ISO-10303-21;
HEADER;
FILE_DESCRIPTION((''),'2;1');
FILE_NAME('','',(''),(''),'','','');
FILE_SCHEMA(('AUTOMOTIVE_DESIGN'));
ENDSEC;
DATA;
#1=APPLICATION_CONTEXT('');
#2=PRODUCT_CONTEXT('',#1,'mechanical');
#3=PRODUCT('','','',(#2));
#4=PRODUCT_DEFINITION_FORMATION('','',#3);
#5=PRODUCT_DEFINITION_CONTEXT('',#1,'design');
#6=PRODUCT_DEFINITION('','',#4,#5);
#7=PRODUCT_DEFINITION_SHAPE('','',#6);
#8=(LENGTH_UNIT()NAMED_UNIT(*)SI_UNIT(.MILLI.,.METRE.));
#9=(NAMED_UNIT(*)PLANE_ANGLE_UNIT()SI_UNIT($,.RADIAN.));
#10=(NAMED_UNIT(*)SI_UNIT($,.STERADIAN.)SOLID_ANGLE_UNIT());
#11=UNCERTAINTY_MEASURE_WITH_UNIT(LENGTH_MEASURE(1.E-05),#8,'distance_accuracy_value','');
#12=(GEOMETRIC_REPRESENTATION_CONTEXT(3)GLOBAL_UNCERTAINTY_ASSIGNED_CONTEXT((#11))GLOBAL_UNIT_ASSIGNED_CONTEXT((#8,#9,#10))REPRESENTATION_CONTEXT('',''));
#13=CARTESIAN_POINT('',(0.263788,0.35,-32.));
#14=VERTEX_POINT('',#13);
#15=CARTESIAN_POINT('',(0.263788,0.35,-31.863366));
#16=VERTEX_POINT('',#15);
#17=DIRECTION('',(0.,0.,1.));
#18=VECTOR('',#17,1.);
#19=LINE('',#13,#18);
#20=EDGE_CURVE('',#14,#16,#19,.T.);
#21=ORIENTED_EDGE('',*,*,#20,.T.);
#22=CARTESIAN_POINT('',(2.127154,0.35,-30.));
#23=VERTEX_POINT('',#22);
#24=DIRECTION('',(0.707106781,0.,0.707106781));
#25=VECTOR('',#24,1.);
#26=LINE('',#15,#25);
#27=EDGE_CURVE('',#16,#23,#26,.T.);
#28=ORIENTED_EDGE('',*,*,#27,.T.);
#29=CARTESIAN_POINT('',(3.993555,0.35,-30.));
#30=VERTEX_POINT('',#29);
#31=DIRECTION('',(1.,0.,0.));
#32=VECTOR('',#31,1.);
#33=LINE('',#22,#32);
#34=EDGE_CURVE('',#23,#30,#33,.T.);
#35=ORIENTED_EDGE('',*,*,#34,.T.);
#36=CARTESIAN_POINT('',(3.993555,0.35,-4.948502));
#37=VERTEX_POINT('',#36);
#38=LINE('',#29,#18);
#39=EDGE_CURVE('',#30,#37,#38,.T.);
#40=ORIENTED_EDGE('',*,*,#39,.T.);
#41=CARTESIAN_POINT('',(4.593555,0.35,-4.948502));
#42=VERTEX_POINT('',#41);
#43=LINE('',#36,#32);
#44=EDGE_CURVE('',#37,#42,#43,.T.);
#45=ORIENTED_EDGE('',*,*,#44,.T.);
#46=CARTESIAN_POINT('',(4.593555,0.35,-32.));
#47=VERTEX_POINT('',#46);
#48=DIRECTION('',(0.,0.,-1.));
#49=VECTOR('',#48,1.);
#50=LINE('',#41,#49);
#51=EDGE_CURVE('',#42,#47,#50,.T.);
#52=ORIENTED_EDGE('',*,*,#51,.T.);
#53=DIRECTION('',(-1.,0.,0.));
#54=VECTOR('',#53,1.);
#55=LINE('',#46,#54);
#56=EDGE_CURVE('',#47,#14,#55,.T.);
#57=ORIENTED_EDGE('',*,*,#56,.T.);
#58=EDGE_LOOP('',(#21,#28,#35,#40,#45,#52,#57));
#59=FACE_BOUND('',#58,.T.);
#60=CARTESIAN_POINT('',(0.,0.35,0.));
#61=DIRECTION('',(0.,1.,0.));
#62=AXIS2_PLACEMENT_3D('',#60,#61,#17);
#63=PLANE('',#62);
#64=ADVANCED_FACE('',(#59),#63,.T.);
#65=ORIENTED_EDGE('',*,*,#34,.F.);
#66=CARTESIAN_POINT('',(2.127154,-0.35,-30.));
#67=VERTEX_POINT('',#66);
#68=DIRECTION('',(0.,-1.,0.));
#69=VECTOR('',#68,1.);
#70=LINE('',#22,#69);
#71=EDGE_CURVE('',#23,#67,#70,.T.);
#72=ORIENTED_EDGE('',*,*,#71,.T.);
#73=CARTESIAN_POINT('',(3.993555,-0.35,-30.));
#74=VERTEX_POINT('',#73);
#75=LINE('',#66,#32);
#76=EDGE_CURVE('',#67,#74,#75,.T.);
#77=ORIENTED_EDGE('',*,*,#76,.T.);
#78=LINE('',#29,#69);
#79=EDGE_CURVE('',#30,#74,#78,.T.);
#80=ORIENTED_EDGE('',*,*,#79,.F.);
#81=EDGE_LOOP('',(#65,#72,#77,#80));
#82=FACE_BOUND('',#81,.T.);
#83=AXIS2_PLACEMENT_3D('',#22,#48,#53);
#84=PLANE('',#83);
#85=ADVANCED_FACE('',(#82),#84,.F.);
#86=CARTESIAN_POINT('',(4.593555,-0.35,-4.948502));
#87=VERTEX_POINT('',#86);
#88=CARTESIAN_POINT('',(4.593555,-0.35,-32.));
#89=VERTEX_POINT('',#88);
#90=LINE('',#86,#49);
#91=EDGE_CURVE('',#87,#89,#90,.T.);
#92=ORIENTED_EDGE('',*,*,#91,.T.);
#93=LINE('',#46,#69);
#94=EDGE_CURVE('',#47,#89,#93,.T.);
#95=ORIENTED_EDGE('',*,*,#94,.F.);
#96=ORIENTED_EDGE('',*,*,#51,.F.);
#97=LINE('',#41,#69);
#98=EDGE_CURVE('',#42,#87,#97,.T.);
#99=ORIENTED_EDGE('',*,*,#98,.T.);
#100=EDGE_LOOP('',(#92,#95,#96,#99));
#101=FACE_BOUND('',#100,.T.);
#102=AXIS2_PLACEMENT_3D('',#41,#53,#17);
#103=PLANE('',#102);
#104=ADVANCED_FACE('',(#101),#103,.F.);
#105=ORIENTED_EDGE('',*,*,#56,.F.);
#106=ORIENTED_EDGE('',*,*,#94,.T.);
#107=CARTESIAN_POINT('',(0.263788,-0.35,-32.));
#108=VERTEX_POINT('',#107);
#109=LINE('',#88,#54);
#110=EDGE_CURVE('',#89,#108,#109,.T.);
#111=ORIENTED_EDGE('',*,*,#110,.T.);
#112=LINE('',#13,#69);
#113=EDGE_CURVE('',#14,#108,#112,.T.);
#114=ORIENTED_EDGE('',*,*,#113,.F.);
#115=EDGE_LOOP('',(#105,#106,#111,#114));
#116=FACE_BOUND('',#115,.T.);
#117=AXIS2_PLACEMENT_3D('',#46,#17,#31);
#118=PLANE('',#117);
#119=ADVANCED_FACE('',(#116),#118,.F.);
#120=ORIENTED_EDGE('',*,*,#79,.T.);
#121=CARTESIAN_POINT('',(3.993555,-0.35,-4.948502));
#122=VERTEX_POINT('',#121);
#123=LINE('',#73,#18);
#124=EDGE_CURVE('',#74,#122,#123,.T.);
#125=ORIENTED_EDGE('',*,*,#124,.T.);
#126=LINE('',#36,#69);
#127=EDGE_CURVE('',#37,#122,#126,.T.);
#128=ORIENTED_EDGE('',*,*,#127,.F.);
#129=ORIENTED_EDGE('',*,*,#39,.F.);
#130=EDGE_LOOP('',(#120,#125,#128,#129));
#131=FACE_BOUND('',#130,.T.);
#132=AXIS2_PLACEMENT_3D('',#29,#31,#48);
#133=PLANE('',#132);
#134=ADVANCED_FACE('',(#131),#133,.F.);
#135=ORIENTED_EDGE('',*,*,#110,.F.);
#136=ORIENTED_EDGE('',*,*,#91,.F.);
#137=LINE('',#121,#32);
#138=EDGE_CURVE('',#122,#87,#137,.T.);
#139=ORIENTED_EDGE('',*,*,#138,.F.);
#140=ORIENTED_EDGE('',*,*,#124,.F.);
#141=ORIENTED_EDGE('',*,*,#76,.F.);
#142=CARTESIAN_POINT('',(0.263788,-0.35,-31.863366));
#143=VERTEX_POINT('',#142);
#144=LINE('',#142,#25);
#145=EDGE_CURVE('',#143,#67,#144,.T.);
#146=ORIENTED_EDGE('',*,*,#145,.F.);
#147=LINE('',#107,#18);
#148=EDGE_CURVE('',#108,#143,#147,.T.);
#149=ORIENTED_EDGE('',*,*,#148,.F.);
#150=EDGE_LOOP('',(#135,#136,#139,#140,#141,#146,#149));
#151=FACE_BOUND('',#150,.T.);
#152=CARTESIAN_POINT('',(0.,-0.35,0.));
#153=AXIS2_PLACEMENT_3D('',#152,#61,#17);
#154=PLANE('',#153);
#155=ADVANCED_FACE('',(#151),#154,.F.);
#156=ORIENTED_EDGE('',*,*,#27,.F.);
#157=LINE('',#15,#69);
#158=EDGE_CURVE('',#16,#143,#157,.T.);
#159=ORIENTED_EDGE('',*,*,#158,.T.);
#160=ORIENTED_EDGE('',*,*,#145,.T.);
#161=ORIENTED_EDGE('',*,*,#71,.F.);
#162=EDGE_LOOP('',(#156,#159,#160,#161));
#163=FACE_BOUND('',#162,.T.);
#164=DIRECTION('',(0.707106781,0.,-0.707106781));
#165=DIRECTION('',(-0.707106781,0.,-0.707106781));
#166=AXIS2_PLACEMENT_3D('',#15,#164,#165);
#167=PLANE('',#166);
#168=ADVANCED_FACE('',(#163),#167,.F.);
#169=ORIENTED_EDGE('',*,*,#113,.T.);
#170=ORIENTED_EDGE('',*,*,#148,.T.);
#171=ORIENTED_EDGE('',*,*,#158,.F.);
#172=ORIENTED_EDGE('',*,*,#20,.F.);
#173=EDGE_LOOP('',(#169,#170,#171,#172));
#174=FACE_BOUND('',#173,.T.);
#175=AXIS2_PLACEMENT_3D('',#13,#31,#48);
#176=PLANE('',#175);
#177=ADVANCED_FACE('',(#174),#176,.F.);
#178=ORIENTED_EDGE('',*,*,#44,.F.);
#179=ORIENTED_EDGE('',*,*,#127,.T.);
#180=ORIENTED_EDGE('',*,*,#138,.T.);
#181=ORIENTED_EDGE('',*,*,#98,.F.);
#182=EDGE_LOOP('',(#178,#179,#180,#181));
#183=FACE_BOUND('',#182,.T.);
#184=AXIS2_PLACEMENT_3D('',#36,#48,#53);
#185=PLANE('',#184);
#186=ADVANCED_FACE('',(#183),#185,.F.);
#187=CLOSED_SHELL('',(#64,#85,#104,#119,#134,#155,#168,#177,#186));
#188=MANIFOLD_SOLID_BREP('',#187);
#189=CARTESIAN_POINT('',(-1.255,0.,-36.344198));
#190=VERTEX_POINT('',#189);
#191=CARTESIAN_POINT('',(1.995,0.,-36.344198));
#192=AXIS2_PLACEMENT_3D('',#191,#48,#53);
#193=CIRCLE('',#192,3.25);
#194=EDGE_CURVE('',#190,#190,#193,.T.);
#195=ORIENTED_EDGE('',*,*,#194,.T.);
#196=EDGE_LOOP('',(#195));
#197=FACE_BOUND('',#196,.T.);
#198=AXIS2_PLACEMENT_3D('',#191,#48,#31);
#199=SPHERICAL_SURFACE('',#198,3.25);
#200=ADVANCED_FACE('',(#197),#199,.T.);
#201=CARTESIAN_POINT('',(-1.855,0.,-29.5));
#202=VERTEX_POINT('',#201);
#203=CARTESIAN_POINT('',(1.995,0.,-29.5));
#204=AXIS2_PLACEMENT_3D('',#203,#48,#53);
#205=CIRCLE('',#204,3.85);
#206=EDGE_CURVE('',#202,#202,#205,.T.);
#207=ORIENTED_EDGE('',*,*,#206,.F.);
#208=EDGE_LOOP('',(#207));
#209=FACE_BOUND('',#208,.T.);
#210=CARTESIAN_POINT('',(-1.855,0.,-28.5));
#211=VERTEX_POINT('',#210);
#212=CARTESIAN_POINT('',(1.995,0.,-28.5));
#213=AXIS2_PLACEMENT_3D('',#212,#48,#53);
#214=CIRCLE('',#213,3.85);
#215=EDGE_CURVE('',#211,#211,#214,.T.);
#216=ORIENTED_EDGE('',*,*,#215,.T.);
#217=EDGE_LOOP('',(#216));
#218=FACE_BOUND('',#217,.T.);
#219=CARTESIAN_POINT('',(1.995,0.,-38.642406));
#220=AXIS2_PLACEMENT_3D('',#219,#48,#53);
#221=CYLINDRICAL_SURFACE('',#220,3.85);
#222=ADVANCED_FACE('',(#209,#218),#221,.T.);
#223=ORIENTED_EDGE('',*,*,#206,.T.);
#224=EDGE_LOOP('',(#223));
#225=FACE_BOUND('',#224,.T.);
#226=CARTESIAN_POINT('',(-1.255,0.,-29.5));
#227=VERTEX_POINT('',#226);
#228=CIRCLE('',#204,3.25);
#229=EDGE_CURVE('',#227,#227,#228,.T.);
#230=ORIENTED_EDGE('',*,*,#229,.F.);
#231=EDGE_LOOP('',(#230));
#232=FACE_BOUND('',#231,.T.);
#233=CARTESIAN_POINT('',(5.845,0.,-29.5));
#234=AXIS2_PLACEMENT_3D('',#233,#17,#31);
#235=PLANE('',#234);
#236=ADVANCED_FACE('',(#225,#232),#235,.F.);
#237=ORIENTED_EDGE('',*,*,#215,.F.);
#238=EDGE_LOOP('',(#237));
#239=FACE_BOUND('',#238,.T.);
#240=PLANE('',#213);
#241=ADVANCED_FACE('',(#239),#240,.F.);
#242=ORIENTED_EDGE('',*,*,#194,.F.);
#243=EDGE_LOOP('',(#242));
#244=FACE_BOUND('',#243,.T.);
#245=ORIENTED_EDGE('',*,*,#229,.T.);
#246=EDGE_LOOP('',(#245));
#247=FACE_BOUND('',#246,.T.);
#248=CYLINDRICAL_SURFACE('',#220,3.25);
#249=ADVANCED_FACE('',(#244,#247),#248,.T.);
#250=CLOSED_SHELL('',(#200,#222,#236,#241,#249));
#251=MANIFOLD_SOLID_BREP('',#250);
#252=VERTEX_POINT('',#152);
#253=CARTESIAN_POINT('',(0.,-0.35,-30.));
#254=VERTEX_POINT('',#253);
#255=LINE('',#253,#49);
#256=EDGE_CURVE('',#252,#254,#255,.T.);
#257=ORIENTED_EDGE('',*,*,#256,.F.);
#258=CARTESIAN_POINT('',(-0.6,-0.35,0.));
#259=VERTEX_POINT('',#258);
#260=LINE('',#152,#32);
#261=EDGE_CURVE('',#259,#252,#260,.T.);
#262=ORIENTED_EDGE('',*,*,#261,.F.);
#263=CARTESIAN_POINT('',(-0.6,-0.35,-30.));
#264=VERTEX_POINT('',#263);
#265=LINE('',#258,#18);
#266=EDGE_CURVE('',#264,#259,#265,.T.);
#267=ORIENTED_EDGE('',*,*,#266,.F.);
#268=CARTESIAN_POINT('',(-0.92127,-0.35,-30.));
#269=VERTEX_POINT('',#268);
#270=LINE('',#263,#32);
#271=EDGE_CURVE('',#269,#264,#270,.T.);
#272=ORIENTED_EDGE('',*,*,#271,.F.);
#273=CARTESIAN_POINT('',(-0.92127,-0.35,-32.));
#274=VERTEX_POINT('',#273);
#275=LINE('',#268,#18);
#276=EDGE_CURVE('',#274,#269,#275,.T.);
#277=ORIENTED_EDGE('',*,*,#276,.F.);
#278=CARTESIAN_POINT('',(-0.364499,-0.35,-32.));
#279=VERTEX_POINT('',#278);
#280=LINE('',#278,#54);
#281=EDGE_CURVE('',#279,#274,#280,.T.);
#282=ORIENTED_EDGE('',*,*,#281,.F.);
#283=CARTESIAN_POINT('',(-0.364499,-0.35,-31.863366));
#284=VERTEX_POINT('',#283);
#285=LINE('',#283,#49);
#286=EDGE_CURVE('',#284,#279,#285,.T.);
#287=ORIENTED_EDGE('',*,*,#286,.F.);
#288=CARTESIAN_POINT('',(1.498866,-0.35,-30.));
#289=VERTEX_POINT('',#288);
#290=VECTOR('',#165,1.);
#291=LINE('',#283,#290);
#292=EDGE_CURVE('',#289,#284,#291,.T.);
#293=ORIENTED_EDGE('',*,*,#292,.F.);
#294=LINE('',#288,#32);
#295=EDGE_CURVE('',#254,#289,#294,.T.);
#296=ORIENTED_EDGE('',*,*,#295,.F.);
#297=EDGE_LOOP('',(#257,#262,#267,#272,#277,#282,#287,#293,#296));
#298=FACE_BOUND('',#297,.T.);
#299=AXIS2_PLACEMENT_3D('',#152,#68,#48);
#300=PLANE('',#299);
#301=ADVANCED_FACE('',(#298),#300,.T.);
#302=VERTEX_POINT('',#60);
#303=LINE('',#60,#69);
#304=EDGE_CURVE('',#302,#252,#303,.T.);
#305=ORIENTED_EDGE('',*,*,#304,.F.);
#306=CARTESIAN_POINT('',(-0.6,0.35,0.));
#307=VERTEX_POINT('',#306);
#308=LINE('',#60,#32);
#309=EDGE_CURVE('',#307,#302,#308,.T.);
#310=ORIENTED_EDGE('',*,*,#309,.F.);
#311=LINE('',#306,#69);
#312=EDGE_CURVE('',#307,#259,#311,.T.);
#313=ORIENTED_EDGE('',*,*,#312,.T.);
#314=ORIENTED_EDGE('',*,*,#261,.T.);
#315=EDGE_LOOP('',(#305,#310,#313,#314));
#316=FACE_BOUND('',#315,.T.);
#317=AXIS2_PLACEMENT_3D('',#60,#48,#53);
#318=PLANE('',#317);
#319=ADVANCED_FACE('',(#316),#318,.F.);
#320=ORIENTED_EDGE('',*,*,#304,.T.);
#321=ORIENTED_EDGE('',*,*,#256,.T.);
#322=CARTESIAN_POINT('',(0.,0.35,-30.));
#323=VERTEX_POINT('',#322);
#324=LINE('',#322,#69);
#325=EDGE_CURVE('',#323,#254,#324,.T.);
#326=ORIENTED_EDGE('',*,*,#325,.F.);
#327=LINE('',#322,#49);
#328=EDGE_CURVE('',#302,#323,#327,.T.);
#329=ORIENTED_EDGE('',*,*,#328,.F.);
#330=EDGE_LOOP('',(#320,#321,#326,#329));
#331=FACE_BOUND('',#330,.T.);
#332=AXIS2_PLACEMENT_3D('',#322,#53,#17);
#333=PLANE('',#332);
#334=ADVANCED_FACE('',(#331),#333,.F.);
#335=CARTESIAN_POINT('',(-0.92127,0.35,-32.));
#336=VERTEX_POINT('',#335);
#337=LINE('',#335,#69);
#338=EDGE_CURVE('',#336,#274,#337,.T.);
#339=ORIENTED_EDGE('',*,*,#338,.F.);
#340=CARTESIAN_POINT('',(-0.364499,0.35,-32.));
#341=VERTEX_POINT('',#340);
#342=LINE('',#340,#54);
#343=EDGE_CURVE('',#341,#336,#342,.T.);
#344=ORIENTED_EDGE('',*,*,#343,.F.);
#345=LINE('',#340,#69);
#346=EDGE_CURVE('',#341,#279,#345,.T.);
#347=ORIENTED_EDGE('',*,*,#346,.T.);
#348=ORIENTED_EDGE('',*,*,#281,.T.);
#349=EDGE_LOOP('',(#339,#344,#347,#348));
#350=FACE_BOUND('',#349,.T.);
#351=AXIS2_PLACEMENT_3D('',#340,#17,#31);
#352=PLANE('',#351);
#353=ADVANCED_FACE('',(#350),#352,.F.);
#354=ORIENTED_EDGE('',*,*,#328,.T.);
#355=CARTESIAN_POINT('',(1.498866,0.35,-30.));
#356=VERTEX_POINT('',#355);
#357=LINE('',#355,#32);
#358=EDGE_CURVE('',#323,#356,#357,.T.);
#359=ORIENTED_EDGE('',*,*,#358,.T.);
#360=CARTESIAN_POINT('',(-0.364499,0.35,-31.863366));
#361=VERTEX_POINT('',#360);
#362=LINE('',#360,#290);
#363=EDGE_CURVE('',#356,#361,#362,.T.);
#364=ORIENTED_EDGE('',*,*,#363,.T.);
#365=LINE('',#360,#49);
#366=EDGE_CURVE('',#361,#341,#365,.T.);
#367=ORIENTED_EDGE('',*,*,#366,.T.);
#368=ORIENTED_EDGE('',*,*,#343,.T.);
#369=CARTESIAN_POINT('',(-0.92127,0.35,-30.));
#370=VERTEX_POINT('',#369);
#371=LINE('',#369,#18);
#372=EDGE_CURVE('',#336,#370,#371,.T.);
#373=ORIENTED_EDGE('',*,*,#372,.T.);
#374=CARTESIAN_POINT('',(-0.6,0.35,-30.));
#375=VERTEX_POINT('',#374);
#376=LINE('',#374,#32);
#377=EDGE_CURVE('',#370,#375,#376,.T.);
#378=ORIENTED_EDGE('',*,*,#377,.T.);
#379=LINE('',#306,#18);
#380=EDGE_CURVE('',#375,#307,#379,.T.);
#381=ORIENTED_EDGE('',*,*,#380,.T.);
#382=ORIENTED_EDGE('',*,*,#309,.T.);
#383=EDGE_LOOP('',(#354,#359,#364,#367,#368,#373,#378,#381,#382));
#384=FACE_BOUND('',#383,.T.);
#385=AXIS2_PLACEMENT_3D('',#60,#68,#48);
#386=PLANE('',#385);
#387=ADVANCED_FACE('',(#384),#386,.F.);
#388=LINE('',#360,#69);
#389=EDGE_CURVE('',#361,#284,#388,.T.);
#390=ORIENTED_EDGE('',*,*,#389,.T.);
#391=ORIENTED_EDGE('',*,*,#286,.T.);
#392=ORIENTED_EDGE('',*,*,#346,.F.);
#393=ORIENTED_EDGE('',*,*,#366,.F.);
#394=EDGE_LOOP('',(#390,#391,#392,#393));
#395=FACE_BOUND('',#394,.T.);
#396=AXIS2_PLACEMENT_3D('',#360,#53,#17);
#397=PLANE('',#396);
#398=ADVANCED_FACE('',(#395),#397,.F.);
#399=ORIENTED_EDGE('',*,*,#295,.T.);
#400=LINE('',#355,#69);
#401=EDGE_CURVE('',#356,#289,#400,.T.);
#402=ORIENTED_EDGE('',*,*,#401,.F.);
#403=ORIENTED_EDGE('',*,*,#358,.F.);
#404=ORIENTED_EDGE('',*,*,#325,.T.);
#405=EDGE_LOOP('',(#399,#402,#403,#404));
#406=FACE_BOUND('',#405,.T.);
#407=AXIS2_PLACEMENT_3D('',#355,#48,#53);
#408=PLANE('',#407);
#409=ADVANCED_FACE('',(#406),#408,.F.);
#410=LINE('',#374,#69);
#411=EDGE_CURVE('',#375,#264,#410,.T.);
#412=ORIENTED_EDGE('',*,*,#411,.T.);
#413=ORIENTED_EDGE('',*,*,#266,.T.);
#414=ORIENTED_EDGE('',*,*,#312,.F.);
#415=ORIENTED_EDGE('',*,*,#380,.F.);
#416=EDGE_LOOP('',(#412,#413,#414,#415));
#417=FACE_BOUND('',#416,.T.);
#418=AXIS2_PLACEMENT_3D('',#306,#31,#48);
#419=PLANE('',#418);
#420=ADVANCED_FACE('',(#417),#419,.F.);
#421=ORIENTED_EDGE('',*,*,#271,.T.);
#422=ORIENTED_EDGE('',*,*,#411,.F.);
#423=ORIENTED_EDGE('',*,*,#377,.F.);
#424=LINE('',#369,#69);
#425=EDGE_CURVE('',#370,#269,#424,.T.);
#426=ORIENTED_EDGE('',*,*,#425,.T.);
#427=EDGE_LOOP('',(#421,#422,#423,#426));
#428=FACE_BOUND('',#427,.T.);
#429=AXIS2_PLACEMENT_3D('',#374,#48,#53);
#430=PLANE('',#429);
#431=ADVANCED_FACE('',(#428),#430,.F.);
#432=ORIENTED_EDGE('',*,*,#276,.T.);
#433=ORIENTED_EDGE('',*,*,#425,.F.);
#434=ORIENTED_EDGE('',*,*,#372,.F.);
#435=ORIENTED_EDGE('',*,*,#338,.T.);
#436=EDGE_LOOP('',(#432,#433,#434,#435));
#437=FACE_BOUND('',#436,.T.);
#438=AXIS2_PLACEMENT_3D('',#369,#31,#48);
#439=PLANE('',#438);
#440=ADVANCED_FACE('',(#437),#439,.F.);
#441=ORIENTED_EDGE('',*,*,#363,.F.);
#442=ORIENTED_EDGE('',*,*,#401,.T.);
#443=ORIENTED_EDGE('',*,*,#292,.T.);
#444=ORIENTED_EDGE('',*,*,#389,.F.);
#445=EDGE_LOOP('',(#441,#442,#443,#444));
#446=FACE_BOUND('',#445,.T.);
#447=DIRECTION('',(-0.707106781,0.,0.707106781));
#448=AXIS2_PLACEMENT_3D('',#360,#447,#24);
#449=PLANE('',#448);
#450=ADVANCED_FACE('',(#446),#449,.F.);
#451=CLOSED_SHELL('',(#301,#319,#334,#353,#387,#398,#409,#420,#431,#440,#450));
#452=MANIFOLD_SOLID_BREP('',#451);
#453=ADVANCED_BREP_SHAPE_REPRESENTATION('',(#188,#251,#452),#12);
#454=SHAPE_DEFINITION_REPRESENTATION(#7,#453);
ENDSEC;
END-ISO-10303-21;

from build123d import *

# Parameters (mm, degrees)
BOSS_EXTRUDE1_DEPTH = 0.35
BOSS_EXTRUDE2_DEPTH = 0.35


with BuildPart() as part:
    # Sketch1 → Boss-Extrude1 (new, symmetric)
    with BuildSketch(Plane(origin=(0, 0, 0), x_dir=(1, 0, 0), z_dir=(0, 1, 0))):
        Polygon((-0.6, 0), (-0.6, 30), (-0.921269942, 30), (-0.921269942, 32), (-0.364499286, 32), (-0.364499286, 31.863365618), (1.498866332, 30), (0, 30), (0, 0), align=None)
    extrude(amount=BOSS_EXTRUDE1_DEPTH, both=True)


with BuildPart() as body_2:
    # Sketch2 → Boss-Extrude2 (new, symmetric)
    with BuildSketch(Plane(origin=(0, 0, 0), x_dir=(1, 0, 0), z_dir=(0, 1, 0))):
        Polygon((0.263788456, 32), (0.263788456, 31.863365618), (2.127154074, 30), (3.993555422, 30), (3.993555422, 4.948502035), (4.593555422, 4.948502035), (4.593555422, 32), align=None)
    extrude(amount=BOSS_EXTRUDE2_DEPTH, both=True)


with BuildPart() as body_3:
    # Sketch3 → Revolve1 (revolve)
    with BuildSketch(Plane(origin=(0, 0, 0), x_dir=(1, 0, 0), z_dir=(0, 1, 0)), mode=Mode.PRIVATE) as revolve1_sk:
        with BuildLine():
            Line((1.995, 28.5), (5.845, 28.5))
            Line((5.845, 28.5), (5.845, 29.5))
            Line((5.845, 29.5), (5.245, 29.5))
            Line((5.245, 29.5), (5.245, 36.344198407))
            ThreePointArc((5.245, 36.344198407), (4.293097039, 38.642295446), (1.995, 39.594198407))
            Line((1.995, 39.594198407), (1.995, 28.5))
        make_face()
    revolve(revolve1_sk.sketch.rotate(Axis((1.995, 0, -38.642405776), (0, 0, 1)), 180), axis=Axis((1.995, 0, -38.642405776), (0, 0, 1)))


solid = Compound([part.part, body_2.part, body_3.part])
